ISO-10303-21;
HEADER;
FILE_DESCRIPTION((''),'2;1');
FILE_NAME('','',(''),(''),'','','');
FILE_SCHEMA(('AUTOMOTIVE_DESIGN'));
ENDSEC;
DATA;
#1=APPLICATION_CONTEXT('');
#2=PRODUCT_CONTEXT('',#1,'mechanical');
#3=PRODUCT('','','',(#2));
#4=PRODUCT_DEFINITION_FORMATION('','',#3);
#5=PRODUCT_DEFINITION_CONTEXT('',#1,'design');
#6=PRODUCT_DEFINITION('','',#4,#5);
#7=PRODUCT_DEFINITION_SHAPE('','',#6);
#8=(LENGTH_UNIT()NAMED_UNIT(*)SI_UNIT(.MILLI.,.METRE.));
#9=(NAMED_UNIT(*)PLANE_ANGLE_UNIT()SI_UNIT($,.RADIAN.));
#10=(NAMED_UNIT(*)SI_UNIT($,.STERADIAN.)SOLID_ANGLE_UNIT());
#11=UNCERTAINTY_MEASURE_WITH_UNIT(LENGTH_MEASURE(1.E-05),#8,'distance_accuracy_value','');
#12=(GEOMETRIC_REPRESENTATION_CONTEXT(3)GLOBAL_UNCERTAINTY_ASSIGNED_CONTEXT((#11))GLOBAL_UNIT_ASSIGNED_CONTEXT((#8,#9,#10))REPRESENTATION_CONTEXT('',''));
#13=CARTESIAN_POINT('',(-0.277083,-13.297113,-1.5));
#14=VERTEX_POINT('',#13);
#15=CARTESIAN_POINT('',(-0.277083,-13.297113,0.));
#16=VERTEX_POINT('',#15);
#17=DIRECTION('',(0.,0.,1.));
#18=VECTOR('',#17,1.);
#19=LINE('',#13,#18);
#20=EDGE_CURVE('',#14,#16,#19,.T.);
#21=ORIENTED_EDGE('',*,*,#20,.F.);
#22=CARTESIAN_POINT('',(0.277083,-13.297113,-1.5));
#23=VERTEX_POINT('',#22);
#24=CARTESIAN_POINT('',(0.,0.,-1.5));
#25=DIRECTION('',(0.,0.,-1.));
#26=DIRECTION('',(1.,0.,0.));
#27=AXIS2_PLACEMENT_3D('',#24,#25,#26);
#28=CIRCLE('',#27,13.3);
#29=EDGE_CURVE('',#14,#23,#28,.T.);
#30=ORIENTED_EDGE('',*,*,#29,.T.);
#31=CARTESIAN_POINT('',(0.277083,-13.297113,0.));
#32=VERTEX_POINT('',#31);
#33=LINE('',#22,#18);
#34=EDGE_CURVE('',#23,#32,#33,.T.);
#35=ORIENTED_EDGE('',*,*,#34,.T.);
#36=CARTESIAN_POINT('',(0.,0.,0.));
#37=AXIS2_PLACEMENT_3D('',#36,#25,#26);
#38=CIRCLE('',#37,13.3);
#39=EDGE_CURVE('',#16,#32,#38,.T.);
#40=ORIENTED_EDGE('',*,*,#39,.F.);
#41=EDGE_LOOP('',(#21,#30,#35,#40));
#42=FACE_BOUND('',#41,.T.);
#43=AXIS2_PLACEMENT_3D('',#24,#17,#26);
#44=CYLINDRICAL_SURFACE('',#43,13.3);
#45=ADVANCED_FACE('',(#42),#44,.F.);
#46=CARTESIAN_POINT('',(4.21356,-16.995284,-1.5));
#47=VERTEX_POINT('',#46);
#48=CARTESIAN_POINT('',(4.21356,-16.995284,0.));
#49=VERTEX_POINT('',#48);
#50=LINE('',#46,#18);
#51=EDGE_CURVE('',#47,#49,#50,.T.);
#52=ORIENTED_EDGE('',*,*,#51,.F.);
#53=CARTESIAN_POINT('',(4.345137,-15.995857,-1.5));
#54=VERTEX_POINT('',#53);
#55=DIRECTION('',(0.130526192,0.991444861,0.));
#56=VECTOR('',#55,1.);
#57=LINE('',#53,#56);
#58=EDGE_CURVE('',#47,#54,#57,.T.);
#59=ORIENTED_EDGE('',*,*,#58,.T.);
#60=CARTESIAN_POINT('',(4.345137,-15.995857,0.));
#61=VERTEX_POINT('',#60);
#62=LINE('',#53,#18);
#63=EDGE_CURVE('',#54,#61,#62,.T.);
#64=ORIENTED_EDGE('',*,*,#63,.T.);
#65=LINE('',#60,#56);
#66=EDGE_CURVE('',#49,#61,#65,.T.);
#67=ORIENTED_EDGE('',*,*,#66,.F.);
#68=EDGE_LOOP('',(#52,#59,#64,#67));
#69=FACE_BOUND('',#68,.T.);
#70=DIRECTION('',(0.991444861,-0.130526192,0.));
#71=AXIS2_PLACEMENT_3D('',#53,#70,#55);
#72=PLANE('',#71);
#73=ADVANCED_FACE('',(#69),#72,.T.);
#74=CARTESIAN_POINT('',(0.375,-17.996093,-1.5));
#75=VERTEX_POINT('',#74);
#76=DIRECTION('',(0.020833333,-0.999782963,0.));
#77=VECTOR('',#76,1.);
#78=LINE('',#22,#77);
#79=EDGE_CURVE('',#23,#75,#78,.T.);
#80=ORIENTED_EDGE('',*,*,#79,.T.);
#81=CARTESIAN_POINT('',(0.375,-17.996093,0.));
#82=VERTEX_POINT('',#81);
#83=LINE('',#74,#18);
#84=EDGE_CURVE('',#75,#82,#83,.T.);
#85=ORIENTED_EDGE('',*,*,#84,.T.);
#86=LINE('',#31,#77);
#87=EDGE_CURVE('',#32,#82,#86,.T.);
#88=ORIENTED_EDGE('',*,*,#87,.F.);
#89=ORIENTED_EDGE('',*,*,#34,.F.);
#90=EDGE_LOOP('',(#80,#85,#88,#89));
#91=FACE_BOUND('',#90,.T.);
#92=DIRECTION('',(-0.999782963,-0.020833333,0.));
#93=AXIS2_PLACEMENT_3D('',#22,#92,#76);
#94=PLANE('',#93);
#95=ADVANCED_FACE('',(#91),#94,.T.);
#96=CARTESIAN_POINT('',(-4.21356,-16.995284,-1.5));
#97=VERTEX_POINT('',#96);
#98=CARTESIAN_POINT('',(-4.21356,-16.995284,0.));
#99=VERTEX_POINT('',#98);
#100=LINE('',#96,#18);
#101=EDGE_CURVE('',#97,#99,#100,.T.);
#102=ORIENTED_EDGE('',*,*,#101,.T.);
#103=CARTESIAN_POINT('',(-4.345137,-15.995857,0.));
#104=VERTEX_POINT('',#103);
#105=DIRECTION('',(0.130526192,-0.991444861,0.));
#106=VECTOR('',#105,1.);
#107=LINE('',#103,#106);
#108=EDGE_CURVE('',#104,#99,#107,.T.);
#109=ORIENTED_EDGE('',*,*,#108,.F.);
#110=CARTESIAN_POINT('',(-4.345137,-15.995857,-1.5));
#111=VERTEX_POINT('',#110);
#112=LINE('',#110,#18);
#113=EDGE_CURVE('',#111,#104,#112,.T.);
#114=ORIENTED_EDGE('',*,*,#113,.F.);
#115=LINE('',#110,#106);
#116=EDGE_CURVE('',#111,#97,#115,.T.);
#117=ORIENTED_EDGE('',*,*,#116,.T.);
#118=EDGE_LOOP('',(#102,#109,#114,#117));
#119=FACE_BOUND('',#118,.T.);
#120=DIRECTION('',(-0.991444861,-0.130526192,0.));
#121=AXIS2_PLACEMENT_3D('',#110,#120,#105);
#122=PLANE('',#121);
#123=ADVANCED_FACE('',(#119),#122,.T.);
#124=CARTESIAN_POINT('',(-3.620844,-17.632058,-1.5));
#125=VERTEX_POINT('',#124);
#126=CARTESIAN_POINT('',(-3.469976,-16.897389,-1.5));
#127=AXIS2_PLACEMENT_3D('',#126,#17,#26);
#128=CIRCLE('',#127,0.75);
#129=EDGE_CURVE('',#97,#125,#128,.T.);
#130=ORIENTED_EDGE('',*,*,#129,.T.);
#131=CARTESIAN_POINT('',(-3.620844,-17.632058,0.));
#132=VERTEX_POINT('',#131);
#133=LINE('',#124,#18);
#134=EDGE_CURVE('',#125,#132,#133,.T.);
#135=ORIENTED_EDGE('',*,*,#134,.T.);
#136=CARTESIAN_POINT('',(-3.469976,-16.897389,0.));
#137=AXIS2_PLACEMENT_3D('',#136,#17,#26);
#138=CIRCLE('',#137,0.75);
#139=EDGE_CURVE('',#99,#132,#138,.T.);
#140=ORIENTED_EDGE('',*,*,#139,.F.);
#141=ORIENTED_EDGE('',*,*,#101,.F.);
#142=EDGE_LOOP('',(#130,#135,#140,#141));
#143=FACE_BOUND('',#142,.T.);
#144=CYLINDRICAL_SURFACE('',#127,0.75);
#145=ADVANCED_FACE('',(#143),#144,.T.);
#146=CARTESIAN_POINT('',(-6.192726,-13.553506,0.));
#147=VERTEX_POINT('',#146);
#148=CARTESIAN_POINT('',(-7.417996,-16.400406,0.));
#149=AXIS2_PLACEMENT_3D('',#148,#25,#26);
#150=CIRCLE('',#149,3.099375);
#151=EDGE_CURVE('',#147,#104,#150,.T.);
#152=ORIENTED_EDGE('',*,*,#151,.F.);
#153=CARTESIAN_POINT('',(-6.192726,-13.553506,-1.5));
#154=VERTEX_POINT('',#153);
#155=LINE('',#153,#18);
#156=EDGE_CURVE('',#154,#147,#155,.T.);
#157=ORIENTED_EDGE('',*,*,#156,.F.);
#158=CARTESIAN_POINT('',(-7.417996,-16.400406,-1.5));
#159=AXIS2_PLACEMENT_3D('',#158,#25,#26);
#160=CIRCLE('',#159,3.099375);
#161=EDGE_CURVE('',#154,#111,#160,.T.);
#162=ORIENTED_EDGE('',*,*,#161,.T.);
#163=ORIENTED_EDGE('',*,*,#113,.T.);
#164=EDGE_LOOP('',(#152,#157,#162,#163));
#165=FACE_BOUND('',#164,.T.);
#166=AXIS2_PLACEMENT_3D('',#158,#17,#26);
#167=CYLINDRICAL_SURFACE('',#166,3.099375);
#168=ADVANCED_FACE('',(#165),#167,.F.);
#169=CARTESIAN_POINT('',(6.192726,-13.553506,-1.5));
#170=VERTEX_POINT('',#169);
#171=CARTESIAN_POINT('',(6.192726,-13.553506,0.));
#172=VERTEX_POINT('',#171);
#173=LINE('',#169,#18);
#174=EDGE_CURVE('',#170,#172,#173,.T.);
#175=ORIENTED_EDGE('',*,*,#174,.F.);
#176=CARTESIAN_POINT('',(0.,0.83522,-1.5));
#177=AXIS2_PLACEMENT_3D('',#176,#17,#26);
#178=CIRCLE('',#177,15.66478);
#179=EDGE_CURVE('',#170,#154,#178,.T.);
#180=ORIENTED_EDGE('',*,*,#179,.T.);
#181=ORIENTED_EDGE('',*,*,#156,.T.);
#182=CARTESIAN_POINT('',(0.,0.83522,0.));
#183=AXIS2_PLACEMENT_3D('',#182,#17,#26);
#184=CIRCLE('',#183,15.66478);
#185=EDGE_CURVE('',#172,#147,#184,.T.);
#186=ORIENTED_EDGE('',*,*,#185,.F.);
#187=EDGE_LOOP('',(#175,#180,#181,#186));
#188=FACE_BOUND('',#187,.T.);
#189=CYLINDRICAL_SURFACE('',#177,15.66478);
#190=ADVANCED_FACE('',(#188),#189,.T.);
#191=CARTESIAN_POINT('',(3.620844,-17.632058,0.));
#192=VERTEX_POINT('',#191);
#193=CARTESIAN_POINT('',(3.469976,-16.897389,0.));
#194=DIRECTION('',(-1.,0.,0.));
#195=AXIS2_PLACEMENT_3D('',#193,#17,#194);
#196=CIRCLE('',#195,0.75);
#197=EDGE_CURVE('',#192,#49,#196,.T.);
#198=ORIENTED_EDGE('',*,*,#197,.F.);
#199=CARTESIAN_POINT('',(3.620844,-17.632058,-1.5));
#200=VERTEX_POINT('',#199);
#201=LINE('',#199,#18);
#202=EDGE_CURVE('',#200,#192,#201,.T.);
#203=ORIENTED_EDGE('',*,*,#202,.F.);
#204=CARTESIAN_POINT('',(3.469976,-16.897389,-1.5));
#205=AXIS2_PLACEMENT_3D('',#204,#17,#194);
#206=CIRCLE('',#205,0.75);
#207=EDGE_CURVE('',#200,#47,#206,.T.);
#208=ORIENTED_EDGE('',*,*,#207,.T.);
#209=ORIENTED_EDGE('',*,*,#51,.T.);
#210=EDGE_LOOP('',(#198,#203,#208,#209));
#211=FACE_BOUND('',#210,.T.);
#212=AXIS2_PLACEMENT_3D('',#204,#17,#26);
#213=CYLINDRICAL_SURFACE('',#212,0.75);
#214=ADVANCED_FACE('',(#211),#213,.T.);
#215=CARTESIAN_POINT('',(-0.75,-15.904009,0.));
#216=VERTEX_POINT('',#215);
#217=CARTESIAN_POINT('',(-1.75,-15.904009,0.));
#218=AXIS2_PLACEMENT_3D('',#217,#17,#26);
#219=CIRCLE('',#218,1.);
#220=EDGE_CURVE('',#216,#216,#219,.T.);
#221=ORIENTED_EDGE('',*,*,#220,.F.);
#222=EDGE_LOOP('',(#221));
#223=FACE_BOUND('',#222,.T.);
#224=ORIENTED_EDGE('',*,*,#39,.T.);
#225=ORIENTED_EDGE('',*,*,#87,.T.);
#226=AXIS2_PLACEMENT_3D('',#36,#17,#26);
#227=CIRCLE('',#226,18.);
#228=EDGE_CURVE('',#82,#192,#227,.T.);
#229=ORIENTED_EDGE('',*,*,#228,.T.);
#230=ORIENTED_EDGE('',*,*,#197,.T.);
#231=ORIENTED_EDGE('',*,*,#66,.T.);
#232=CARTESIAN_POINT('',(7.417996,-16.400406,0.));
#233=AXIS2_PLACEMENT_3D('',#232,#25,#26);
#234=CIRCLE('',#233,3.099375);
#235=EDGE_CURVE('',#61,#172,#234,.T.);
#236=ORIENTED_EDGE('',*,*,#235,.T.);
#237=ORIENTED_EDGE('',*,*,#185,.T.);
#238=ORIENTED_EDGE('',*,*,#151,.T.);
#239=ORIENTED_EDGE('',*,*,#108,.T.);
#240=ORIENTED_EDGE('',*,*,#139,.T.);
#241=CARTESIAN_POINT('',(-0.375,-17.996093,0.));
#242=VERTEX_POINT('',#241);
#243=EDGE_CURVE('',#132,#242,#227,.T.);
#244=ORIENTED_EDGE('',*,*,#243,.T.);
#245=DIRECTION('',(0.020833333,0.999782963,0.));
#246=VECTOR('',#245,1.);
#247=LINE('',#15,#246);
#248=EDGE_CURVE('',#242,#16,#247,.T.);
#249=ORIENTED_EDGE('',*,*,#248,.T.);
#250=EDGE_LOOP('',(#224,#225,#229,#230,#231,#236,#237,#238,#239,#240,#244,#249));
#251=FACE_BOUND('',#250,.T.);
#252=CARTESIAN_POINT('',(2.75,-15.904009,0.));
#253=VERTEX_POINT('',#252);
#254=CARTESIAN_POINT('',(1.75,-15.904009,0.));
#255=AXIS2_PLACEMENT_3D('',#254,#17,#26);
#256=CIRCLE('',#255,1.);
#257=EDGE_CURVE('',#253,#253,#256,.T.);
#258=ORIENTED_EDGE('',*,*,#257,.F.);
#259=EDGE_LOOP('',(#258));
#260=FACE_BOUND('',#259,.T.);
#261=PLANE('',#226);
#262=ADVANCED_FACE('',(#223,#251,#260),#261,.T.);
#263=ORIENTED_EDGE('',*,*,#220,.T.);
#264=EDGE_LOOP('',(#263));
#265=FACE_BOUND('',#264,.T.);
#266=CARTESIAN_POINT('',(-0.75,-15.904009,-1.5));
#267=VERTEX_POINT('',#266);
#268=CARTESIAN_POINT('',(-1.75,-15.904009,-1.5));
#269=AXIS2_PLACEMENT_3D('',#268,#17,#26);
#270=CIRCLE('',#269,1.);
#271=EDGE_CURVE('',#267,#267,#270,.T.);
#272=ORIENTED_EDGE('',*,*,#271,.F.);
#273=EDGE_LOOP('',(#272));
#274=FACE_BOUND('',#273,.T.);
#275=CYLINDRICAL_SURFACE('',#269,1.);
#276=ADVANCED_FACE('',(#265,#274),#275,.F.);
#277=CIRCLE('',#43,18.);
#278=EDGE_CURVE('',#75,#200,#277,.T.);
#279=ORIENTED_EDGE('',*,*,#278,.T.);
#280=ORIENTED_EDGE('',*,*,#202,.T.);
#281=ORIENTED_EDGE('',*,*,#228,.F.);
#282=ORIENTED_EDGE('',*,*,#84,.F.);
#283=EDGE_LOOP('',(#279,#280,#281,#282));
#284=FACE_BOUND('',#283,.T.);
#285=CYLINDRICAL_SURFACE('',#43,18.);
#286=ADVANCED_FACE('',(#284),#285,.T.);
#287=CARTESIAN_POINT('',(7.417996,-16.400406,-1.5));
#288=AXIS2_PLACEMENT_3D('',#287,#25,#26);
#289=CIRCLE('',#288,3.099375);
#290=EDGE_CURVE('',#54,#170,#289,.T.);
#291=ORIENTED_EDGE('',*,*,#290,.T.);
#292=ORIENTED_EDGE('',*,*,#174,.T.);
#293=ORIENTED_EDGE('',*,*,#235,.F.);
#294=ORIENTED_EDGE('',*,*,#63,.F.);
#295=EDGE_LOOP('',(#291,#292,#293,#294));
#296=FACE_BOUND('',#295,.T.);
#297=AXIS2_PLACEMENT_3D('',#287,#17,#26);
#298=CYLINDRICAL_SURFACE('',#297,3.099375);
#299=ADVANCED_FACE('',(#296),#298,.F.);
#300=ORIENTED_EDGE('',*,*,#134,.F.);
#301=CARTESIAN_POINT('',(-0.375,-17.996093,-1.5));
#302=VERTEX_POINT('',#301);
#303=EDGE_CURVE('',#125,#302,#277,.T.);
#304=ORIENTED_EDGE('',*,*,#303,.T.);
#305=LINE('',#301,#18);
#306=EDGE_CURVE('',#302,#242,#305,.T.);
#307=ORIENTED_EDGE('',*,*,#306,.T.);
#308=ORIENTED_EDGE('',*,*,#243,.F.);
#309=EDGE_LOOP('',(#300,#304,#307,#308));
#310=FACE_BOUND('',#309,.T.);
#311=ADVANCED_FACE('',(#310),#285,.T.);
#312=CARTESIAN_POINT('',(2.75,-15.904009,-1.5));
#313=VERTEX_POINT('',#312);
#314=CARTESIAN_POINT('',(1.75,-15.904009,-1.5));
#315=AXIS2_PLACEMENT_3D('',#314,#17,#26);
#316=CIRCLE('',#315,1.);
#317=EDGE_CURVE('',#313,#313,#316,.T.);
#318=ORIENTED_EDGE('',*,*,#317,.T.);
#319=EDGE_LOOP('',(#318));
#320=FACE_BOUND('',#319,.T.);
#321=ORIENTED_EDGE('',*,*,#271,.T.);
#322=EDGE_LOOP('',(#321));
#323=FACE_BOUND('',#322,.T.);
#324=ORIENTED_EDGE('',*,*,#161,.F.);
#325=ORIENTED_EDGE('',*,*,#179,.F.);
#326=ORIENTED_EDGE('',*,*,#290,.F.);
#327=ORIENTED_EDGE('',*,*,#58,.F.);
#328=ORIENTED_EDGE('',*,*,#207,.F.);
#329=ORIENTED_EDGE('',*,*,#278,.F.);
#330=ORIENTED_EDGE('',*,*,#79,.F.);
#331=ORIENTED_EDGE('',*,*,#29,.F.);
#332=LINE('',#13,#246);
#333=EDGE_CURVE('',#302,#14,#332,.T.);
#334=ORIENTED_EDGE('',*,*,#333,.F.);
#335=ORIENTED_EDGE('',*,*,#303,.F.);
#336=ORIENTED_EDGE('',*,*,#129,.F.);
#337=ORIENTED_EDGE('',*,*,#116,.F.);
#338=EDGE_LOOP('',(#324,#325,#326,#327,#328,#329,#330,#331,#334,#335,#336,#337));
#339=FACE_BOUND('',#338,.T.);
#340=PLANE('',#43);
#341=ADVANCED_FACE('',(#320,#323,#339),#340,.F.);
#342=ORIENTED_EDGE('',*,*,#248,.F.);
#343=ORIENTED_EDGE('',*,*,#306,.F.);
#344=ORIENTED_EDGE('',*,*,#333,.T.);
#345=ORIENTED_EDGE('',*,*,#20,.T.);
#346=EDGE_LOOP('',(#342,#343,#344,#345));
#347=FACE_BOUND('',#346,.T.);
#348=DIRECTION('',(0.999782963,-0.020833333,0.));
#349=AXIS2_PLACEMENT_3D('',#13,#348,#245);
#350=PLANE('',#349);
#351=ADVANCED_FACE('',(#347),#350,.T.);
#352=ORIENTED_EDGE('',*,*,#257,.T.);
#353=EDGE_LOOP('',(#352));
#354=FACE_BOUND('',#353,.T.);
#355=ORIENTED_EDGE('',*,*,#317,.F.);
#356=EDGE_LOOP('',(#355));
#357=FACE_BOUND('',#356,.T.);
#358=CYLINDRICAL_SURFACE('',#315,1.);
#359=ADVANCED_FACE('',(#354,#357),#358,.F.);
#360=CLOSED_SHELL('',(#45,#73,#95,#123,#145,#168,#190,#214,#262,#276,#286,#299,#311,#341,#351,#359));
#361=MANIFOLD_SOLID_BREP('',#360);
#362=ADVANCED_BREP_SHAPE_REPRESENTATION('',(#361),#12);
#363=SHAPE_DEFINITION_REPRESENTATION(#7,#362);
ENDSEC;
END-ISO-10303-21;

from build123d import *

# Parameters (mm, degrees)
BODYSKE_R  = 1
BODY_DEPTH = 1.5


with BuildPart() as part:
    # BodySke → Body (new body)
    with BuildSketch(Plane.XY):
        with BuildLine():
            Line((0.277083333, -13.297113402), (0.375, -17.996093326))
            ThreePointArc((0.375, -17.996093326), (2.006196266, -17.88784997), (3.620844399, -17.632058469))
            ThreePointArc((3.620844399, -17.632058469), (4.018958209, -17.408386826), (4.213559528, -16.99528401))
            Line((4.213559528, -16.99528401), (4.345136613, -15.995856825))
            ThreePointArc((4.345136613, -15.995856825), (4.946205729, -14.530545953), (6.192726344, -13.553506349))
            ThreePointArc((6.192726344, -13.553506349), (0, 16.5), (-6.192726344, -13.553506349))
            ThreePointArc((-6.192726344, -13.553506349), (-4.946205729, -14.530545953), (-4.345136613, -15.995856825))
            Line((-4.345136613, -15.995856825), (-4.213559528, -16.99528401))
            ThreePointArc((-4.213559528, -16.99528401), (-4.018958209, -17.408386826), (-3.620844399, -17.632058469))
            ThreePointArc((-3.620844399, -17.632058469), (-2.006196266, -17.88784997), (-0.375, -17.996093326))
            Line((-0.375, -17.996093326), (-0.277083333, -13.297113402))
            ThreePointArc((-0.277083333, -13.297113402), (0, 13.3), (0.277083333, -13.297113402))
        make_face()
        with Locations((1.75, -15.904008929)):
            Circle(BODYSKE_R, mode=Mode.SUBTRACT)
        with Locations((-1.75, -15.904008929)):
            Circle(BODYSKE_R, mode=Mode.SUBTRACT)
    extrude(amount=-BODY_DEPTH)


solid = part.part
